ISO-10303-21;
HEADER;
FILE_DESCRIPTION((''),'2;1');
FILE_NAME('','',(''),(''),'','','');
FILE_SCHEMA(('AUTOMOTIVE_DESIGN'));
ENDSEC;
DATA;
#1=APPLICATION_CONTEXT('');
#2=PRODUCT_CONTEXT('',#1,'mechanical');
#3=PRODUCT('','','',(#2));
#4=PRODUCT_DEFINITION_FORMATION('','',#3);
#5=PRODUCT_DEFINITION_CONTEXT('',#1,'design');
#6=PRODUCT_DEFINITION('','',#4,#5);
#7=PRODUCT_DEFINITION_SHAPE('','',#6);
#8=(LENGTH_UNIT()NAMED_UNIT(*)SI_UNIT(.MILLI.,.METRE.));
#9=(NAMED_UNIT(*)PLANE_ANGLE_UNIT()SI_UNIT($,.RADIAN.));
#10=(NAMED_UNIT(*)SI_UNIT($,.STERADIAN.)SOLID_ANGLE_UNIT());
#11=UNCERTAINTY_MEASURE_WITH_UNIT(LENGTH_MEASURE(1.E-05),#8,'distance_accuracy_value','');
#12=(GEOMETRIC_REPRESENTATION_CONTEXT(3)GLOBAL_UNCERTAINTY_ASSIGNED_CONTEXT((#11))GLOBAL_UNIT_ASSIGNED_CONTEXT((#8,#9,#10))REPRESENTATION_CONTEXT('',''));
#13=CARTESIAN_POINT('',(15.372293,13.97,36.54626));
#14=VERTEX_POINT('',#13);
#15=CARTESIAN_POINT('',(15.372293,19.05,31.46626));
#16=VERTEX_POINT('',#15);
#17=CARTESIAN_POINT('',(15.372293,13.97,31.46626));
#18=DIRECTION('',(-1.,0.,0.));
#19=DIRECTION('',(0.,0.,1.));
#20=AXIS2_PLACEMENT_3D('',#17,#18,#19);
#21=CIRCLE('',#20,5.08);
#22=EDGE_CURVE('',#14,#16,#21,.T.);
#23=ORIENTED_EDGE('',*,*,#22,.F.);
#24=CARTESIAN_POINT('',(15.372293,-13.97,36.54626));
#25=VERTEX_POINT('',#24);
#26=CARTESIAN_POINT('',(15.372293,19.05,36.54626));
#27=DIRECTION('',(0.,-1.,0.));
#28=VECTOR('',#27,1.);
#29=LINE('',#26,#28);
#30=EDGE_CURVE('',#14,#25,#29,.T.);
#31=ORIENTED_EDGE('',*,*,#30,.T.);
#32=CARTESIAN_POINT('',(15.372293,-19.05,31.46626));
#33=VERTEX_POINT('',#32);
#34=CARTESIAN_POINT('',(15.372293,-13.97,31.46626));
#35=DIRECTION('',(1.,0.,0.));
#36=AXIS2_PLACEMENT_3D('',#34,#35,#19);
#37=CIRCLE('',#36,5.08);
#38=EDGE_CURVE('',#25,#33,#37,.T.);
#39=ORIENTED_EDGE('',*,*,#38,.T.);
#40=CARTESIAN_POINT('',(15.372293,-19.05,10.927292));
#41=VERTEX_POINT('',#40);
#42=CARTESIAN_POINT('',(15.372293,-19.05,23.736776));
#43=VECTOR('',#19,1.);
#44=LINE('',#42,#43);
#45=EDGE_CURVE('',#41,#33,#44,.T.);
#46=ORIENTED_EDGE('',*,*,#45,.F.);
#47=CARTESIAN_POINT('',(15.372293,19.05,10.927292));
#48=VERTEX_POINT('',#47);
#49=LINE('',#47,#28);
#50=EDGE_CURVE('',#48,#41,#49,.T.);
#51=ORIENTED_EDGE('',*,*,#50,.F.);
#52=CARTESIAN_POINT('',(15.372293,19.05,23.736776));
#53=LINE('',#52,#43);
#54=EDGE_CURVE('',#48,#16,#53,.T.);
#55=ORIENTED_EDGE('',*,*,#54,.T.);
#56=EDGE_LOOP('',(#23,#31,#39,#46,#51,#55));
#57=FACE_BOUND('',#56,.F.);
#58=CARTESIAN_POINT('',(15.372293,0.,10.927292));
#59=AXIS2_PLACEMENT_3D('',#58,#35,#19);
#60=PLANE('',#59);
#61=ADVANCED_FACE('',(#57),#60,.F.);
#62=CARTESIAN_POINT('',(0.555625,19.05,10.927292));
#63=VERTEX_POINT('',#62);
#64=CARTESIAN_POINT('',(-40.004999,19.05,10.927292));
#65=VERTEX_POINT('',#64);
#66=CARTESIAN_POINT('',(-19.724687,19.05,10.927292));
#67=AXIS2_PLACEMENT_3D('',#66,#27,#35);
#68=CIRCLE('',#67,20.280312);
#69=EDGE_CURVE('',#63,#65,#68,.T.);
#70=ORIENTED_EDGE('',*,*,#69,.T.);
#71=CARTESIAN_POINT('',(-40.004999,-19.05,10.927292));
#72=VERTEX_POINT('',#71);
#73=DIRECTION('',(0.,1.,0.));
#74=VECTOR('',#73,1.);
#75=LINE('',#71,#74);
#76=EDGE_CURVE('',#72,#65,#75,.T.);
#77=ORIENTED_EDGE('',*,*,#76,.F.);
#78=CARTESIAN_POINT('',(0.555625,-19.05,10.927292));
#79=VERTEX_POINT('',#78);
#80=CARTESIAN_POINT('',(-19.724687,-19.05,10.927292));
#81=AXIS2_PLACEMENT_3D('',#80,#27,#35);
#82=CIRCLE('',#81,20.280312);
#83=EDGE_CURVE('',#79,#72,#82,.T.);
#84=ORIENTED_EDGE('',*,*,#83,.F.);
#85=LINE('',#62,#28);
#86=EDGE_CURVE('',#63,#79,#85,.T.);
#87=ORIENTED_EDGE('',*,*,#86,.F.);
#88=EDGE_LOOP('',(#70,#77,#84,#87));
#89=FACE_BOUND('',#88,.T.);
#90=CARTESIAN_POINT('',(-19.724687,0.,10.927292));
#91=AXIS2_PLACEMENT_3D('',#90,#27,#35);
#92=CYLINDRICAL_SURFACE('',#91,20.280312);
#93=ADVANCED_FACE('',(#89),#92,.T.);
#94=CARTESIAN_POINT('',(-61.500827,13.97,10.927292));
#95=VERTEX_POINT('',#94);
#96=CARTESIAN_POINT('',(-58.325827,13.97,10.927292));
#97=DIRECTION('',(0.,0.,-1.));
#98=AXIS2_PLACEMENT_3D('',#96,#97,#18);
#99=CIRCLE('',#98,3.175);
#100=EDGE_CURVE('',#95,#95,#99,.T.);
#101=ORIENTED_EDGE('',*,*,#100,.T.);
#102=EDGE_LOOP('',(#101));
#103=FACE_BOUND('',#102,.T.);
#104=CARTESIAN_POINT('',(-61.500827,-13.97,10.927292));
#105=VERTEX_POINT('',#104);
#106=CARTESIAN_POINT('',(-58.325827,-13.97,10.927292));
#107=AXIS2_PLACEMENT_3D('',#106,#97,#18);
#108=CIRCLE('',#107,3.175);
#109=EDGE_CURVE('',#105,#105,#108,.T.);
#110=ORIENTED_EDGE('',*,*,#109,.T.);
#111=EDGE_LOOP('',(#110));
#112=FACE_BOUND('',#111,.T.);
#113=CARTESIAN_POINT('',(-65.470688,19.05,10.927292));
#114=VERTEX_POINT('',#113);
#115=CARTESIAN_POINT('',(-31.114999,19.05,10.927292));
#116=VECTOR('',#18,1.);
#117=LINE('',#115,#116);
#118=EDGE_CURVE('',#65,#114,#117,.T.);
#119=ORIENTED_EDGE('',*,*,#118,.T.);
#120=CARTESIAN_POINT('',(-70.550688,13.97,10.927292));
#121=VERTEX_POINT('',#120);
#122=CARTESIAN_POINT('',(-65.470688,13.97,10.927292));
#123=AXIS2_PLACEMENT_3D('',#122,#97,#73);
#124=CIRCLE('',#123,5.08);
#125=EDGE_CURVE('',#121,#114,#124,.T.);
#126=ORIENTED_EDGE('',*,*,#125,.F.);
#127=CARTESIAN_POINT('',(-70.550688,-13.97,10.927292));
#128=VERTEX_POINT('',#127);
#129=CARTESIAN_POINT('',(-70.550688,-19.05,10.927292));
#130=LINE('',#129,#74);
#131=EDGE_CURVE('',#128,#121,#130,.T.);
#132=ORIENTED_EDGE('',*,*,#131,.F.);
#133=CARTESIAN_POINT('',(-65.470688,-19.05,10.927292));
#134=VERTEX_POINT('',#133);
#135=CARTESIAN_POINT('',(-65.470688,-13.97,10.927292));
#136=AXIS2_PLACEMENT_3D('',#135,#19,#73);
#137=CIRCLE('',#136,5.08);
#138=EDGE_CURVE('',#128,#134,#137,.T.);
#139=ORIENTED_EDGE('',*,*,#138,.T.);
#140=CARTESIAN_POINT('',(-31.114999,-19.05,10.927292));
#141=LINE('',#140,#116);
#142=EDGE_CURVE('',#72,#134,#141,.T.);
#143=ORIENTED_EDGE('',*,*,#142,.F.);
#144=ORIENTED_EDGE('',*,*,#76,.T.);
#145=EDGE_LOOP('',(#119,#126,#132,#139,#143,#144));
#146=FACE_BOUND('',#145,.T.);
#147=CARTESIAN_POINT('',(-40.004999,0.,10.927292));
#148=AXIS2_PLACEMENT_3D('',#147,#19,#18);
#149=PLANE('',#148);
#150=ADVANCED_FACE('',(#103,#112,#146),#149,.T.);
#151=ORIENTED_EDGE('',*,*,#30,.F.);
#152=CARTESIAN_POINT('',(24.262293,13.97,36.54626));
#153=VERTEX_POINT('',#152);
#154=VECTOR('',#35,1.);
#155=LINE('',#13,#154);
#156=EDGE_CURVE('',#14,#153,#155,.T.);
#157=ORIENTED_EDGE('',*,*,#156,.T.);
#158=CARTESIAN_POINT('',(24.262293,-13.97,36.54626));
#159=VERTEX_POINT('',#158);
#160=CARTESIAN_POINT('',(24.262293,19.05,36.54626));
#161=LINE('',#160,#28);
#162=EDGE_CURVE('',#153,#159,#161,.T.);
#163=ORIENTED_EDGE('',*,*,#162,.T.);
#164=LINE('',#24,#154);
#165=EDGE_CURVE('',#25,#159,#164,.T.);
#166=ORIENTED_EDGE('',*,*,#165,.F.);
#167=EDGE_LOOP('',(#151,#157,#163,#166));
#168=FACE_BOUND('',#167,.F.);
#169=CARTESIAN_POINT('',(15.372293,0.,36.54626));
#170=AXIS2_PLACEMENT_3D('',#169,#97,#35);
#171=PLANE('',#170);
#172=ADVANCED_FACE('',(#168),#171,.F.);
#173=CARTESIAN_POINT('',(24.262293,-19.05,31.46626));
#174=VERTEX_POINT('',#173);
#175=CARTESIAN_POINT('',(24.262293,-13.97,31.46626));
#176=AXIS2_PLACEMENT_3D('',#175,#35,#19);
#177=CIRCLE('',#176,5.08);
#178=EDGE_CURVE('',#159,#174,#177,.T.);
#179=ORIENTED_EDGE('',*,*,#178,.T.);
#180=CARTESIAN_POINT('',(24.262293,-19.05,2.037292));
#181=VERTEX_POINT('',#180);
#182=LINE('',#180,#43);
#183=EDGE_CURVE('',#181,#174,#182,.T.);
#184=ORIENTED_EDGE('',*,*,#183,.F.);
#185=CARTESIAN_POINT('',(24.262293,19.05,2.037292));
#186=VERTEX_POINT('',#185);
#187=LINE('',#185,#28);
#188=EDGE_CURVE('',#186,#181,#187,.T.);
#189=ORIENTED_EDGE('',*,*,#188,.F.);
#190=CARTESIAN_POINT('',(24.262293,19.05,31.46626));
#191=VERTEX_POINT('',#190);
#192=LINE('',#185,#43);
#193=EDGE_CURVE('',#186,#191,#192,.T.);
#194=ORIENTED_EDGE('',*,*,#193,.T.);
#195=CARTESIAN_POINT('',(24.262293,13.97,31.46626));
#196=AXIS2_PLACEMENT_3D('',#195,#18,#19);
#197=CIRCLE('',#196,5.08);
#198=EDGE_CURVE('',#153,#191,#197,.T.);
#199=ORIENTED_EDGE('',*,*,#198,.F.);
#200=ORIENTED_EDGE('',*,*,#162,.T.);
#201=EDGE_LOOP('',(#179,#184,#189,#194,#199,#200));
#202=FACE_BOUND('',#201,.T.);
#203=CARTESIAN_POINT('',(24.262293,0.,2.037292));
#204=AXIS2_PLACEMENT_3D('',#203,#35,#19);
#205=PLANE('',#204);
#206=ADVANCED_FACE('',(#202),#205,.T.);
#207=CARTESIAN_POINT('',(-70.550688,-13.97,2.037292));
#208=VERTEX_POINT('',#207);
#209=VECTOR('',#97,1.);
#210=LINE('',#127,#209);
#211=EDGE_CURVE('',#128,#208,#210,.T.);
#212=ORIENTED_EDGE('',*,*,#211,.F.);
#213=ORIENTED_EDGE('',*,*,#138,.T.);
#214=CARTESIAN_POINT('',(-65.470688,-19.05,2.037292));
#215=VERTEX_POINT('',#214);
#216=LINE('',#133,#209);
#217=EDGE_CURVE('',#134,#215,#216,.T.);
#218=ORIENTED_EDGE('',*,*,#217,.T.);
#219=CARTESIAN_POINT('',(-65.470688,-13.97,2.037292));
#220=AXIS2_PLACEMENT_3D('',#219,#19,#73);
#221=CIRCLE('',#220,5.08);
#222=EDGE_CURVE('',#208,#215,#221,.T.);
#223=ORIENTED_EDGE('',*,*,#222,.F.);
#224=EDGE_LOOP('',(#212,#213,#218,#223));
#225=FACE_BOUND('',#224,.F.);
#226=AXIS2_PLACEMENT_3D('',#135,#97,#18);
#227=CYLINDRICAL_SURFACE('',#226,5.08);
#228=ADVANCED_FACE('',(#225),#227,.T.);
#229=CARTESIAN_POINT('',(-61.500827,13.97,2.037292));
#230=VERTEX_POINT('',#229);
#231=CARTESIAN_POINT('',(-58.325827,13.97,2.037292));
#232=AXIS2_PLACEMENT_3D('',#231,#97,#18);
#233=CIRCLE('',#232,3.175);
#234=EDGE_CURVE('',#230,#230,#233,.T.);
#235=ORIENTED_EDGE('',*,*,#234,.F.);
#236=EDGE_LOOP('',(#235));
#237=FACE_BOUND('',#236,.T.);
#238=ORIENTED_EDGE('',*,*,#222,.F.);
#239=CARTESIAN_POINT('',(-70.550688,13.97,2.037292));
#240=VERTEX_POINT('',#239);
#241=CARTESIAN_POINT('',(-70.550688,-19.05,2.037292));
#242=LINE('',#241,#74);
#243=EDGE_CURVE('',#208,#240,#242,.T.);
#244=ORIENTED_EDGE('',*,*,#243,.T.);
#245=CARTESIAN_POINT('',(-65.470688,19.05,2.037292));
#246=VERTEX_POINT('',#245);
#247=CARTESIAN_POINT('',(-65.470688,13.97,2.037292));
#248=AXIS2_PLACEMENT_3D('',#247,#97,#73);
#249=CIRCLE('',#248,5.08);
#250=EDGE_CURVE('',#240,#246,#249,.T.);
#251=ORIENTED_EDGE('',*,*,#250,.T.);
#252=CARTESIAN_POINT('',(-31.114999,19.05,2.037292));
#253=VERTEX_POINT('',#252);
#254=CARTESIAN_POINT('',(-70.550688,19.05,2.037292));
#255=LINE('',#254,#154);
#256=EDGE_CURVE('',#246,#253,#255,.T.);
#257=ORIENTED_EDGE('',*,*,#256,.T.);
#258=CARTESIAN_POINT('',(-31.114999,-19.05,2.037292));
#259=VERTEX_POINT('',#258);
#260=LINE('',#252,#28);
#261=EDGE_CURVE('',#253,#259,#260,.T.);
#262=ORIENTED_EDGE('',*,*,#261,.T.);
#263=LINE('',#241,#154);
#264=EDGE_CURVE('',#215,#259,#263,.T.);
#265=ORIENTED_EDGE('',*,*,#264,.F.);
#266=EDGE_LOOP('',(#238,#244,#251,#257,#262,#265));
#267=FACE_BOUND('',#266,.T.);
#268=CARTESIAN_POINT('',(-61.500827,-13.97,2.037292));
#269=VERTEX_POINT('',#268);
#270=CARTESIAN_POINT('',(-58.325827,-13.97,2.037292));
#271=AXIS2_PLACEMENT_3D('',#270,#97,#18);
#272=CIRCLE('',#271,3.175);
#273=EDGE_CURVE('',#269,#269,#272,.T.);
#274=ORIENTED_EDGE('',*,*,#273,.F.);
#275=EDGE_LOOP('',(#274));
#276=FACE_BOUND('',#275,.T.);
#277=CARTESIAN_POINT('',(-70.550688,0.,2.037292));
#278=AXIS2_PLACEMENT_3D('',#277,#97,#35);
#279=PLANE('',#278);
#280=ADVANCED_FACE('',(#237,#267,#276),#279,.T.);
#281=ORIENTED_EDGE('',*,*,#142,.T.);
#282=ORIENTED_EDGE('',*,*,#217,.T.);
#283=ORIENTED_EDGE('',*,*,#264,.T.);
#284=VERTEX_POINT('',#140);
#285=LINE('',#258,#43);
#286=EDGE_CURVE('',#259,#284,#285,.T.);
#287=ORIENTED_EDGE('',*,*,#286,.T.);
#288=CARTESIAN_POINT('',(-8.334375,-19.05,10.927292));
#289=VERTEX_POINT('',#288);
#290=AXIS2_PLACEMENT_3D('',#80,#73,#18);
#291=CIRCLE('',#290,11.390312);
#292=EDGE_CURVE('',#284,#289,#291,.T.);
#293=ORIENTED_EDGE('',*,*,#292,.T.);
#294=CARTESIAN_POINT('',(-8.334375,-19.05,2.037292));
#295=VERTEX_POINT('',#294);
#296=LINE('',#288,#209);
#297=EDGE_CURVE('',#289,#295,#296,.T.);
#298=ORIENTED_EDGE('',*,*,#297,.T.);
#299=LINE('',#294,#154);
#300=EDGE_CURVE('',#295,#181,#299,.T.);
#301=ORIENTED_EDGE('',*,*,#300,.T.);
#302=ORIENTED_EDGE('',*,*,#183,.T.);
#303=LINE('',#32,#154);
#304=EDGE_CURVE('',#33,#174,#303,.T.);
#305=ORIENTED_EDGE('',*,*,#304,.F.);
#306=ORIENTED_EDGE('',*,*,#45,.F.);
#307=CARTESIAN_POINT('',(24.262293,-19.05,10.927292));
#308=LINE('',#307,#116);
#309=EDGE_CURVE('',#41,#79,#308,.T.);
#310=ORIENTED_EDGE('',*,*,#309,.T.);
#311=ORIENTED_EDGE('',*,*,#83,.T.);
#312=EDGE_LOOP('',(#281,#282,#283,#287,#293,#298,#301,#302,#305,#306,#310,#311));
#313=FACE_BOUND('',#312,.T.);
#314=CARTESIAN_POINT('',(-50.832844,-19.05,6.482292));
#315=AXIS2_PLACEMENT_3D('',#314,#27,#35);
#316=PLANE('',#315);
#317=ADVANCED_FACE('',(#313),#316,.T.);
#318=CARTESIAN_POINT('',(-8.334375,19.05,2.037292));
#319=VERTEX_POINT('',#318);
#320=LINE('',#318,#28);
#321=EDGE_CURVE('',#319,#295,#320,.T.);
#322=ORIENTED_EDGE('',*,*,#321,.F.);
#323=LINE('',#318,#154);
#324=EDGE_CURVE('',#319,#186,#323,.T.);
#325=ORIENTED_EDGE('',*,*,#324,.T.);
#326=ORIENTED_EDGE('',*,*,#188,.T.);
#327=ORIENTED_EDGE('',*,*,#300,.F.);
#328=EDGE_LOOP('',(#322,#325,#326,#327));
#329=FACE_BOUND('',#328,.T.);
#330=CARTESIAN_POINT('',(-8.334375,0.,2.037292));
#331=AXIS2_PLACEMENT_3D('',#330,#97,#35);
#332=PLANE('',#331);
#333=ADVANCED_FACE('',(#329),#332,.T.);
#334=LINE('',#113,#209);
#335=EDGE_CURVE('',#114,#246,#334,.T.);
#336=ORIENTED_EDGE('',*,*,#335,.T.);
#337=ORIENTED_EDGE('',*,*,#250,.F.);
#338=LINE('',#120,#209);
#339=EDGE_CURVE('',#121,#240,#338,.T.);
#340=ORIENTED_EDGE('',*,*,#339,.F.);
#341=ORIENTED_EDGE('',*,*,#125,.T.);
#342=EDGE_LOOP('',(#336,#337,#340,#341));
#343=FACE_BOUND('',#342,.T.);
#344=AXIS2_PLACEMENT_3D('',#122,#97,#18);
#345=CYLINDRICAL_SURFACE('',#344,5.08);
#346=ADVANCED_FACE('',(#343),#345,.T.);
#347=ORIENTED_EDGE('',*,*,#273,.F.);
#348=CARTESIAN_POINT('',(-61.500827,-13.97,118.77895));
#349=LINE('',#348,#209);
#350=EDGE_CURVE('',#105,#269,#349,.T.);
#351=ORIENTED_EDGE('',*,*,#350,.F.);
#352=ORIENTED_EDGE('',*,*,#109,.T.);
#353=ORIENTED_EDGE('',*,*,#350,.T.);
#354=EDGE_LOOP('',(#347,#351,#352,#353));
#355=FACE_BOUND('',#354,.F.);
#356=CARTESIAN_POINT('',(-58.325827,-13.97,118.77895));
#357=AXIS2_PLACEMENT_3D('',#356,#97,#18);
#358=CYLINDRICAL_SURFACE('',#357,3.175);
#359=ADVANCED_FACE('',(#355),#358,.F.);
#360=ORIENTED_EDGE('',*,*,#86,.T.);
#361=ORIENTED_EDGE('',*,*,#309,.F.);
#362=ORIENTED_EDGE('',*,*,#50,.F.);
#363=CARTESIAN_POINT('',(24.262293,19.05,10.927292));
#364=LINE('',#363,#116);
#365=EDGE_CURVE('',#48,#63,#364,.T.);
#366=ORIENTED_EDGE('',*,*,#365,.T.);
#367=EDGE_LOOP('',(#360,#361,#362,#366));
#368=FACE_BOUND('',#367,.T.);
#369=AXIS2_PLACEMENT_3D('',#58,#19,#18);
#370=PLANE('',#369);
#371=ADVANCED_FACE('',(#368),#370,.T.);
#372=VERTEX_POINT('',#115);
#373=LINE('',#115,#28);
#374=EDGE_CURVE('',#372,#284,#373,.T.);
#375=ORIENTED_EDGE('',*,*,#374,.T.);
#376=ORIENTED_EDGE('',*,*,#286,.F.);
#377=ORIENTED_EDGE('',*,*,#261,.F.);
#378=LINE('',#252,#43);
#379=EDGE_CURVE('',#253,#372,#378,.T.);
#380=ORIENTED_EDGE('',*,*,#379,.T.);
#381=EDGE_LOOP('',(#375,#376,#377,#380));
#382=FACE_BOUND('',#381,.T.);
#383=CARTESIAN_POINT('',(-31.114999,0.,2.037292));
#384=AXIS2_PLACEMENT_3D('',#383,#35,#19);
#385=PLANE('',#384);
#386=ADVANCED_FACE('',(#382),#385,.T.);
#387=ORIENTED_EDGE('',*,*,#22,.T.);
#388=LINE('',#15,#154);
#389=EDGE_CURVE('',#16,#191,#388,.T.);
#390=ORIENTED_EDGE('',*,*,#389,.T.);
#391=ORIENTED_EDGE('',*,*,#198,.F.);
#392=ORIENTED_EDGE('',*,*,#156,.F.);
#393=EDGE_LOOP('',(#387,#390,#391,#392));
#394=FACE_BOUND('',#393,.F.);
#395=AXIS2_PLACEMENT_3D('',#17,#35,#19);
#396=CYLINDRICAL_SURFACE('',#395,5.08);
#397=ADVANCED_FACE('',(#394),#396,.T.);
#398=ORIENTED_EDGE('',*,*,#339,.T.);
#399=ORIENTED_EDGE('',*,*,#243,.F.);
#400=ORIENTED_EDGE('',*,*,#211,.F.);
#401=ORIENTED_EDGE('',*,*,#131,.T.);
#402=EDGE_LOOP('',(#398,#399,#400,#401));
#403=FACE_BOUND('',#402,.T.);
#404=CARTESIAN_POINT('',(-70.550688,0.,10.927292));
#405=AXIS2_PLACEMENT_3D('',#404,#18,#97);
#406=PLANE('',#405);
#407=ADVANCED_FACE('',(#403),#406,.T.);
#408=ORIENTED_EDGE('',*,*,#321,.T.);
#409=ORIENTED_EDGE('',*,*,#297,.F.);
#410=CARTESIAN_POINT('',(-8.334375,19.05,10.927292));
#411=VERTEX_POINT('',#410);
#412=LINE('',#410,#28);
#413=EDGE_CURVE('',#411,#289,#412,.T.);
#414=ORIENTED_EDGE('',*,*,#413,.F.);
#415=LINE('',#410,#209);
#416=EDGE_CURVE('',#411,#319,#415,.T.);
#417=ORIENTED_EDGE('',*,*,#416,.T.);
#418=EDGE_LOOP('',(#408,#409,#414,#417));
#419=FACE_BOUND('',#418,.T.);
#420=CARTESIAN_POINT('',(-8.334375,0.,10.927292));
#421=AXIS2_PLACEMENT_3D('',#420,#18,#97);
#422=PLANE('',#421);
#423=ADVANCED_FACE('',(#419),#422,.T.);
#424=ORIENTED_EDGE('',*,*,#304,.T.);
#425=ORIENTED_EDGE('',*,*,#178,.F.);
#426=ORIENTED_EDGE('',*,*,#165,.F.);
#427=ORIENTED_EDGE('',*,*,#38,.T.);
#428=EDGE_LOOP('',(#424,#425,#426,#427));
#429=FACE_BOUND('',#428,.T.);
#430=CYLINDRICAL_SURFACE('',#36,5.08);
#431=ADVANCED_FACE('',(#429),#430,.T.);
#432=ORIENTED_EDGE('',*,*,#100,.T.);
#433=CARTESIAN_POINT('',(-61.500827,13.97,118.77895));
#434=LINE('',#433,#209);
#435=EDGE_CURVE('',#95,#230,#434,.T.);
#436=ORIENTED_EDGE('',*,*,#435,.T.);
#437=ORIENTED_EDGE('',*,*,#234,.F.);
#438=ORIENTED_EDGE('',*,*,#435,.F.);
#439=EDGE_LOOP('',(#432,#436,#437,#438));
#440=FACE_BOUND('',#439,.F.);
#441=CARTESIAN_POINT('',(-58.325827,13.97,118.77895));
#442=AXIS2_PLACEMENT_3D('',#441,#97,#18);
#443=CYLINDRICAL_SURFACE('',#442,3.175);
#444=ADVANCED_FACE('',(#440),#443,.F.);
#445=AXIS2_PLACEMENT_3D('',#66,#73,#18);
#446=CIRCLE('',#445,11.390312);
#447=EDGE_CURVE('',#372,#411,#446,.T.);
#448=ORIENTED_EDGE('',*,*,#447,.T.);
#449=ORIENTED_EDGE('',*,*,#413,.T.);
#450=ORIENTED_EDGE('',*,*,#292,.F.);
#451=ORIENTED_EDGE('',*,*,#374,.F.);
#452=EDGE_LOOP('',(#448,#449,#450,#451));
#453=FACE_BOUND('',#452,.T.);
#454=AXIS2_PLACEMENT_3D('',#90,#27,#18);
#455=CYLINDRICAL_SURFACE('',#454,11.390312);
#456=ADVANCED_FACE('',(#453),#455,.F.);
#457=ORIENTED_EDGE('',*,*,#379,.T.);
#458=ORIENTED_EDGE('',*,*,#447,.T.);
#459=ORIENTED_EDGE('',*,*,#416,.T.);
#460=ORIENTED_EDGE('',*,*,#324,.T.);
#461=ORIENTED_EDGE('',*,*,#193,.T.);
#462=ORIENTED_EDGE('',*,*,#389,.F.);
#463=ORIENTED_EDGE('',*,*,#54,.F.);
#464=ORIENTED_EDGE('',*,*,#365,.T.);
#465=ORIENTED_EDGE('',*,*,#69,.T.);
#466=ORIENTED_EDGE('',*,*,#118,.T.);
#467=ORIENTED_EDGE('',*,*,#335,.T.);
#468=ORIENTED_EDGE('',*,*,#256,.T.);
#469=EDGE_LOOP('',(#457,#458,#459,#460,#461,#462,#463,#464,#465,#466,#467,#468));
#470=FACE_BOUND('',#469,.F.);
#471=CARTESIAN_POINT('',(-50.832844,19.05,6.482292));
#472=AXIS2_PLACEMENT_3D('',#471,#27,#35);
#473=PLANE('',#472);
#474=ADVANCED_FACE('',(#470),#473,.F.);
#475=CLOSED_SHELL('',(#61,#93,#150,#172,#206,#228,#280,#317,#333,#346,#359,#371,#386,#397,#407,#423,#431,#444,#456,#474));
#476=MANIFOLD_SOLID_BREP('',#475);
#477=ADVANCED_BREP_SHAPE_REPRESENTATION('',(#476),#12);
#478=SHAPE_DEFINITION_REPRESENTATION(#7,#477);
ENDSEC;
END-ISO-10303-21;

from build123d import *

# Parameters (mm, degrees)
F0_W     = 8.89
F0_H     = 25.618968
F1_DEPTH = 19.05
F2_R     = 5.08
F4_D     = 6.35


with BuildPart() as f1:
    # F0 (on Front) → F1 (new body, symmetric)
    with BuildSketch(Plane.XZ):
        Polygon((-70.550688, 2.037292), (-31.114999, 2.037292), (-31.114999, 10.927292), (-40.004999, 10.927292), (-70.550688, 10.927292), align=None)
        Polygon((0.555625, 10.927292), (-8.334375, 10.927292), (-8.334375, 2.037292), (24.262293, 2.037292), (24.262293, 10.927292), (15.372293, 10.927292), align=None)
        with BuildLine():
            Line((-40.004999, 10.927292), (-31.114999, 10.927292))
            ThreePointArc((-31.114999, 10.927292), (-19.724687, 22.317604), (-8.334375, 10.927292))
            Line((-8.334375, 10.927292), (0.555625, 10.927292))
            ThreePointArc((0.555625, 10.927292), (-19.724687, 31.207604), (-40.004999, 10.927292))
        make_face()
        with Locations((19.817293, 23.736776)):
            Rectangle(F0_W, F0_H)
    extrude(amount=F1_DEPTH, both=True)

    # F2
    f2_edges = [f1.edges().sort_by_distance(p)[0] for p in [
        (-70.550688, -19.05, 6.482292),
        (-70.550688, 19.05, 6.482292),
        (19.817293, -19.05, 36.54626),
        (19.817293, 19.05, 36.54626),
    ]]
    fillet(f2_edges, radius=F2_R)

    # F4 (through all)
    with Locations(Plane.XY.offset(10.927292)):
        with Locations((-58.325827, 13.97), (-58.325827, -13.97)):
            Hole(F4_D / 2)


solid = f1.part
